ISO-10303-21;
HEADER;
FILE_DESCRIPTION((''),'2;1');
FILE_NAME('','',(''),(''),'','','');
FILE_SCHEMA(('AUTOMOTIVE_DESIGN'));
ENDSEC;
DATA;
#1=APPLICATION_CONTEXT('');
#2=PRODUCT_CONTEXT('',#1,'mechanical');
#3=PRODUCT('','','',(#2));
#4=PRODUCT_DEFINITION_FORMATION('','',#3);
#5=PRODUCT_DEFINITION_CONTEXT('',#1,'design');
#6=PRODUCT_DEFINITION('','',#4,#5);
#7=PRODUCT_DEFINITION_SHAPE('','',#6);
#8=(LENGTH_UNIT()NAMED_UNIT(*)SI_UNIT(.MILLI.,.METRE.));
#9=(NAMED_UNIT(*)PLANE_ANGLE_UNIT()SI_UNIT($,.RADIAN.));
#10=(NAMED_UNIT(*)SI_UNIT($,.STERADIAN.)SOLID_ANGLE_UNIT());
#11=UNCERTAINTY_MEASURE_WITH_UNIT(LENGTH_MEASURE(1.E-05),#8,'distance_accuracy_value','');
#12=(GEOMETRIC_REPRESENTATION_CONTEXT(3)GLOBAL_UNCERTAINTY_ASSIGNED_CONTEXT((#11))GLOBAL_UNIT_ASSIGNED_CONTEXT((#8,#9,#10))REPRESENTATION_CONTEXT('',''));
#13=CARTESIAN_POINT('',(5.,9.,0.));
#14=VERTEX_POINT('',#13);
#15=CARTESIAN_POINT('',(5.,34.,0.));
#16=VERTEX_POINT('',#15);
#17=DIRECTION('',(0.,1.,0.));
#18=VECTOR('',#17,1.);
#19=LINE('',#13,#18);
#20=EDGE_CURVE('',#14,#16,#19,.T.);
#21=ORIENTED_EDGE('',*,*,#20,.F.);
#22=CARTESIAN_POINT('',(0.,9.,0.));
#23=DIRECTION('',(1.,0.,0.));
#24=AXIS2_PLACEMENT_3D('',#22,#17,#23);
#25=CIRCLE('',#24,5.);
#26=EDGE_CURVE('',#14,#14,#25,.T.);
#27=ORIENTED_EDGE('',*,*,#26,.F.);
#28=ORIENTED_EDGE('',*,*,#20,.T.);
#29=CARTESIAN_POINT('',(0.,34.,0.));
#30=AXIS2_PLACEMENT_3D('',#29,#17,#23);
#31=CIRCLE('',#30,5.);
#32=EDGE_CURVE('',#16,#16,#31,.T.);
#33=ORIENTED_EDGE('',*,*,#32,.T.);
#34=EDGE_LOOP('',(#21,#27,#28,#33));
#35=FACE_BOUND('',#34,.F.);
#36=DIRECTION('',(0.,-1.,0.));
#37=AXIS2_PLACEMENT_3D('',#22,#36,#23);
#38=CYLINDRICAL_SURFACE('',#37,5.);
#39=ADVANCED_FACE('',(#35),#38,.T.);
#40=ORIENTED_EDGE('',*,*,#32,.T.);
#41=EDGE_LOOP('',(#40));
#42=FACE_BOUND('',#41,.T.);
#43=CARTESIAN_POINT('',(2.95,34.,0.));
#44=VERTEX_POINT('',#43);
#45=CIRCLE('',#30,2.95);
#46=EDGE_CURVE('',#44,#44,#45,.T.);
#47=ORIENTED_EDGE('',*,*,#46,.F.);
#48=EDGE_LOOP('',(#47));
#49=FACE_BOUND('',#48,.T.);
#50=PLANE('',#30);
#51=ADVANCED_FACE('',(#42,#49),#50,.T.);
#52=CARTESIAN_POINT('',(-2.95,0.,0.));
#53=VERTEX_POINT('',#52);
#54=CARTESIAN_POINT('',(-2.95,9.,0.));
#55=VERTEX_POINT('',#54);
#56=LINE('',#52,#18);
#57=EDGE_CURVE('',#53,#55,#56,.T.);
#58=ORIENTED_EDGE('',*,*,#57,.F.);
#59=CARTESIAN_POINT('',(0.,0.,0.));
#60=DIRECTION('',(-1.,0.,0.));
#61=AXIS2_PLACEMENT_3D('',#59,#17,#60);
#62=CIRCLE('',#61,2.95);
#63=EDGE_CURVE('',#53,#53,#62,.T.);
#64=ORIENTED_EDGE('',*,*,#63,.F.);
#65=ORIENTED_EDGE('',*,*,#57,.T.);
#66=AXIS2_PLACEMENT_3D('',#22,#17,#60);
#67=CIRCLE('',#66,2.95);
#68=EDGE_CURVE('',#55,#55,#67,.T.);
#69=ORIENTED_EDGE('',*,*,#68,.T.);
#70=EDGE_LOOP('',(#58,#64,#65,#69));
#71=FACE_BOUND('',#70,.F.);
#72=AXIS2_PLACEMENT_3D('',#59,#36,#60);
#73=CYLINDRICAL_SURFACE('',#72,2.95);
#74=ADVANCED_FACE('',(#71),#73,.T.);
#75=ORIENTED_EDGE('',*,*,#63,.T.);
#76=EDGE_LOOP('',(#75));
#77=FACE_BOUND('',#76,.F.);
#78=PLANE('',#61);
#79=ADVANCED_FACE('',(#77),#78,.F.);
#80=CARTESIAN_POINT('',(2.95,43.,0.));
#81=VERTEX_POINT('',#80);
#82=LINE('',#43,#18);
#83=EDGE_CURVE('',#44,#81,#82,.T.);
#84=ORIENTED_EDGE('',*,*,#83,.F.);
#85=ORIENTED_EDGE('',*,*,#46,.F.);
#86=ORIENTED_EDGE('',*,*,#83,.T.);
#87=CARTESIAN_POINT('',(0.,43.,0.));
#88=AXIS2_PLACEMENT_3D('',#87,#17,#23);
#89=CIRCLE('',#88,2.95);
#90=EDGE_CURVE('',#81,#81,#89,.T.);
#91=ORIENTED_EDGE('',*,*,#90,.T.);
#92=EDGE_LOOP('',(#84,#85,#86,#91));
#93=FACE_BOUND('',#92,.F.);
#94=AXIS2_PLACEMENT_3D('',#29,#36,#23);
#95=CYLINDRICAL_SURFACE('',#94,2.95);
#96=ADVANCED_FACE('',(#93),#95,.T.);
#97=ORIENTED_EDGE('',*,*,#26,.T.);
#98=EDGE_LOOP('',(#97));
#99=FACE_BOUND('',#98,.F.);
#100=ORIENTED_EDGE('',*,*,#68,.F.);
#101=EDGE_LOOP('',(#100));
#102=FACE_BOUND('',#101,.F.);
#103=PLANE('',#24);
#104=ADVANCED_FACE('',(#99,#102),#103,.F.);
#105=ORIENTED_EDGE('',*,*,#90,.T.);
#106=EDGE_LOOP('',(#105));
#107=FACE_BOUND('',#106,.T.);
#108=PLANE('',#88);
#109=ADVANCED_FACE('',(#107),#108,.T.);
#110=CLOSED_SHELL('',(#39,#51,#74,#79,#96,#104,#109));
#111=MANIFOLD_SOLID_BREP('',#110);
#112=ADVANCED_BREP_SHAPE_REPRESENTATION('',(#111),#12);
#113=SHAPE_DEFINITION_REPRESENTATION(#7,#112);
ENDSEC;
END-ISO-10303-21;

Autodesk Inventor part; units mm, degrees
ref_plane "YZ Plane" through (0, 0, 0) normal (1, 0, 0) x (0, 1, 0)
ref_plane "XZ Plane" through (0, 0, 0) normal (0, 1, 0) x (-1, 0, 0)
ref_plane "XY Plane" through (0, 0, 0) normal (0, 0, 1) x (1, 0, 0)
sketch "Sketch1" plane through (0, 0, 0) normal (0, 1, 0) x (-1, 0, 0)
  circle A0 centre (0, 0) radius 2.95
  dimension "d0" = 5.9
extrude "Extrusion1" add sketch "Sketch1" along normal blind 9
sketch "Sketch2" plane through (0, 9, 0) normal (0, 1, 0) x (1, 0, 0)
  circle A0 centre (0, 0) radius 5
  circle A1 centre (0, 0) radius 3
  dimension "d3" = 10
  dimension "d6" = 6
extrude "Extrusion2" add sketch "Sketch2" along normal blind 25 contours A0 | A1
sketch "Sketch3" plane through (0, 34, 0) normal (0, 1, 0) x (1, 0, 0)
  circle A0 centre (0, 0) radius 2.95 projected
  circle A1 centre (0, 0) radius 2.95
  dimension "d7" = 5.9
extrude "Extrusion3" add sketch "Sketch3" along normal blind 9
properties part number "Peg"
